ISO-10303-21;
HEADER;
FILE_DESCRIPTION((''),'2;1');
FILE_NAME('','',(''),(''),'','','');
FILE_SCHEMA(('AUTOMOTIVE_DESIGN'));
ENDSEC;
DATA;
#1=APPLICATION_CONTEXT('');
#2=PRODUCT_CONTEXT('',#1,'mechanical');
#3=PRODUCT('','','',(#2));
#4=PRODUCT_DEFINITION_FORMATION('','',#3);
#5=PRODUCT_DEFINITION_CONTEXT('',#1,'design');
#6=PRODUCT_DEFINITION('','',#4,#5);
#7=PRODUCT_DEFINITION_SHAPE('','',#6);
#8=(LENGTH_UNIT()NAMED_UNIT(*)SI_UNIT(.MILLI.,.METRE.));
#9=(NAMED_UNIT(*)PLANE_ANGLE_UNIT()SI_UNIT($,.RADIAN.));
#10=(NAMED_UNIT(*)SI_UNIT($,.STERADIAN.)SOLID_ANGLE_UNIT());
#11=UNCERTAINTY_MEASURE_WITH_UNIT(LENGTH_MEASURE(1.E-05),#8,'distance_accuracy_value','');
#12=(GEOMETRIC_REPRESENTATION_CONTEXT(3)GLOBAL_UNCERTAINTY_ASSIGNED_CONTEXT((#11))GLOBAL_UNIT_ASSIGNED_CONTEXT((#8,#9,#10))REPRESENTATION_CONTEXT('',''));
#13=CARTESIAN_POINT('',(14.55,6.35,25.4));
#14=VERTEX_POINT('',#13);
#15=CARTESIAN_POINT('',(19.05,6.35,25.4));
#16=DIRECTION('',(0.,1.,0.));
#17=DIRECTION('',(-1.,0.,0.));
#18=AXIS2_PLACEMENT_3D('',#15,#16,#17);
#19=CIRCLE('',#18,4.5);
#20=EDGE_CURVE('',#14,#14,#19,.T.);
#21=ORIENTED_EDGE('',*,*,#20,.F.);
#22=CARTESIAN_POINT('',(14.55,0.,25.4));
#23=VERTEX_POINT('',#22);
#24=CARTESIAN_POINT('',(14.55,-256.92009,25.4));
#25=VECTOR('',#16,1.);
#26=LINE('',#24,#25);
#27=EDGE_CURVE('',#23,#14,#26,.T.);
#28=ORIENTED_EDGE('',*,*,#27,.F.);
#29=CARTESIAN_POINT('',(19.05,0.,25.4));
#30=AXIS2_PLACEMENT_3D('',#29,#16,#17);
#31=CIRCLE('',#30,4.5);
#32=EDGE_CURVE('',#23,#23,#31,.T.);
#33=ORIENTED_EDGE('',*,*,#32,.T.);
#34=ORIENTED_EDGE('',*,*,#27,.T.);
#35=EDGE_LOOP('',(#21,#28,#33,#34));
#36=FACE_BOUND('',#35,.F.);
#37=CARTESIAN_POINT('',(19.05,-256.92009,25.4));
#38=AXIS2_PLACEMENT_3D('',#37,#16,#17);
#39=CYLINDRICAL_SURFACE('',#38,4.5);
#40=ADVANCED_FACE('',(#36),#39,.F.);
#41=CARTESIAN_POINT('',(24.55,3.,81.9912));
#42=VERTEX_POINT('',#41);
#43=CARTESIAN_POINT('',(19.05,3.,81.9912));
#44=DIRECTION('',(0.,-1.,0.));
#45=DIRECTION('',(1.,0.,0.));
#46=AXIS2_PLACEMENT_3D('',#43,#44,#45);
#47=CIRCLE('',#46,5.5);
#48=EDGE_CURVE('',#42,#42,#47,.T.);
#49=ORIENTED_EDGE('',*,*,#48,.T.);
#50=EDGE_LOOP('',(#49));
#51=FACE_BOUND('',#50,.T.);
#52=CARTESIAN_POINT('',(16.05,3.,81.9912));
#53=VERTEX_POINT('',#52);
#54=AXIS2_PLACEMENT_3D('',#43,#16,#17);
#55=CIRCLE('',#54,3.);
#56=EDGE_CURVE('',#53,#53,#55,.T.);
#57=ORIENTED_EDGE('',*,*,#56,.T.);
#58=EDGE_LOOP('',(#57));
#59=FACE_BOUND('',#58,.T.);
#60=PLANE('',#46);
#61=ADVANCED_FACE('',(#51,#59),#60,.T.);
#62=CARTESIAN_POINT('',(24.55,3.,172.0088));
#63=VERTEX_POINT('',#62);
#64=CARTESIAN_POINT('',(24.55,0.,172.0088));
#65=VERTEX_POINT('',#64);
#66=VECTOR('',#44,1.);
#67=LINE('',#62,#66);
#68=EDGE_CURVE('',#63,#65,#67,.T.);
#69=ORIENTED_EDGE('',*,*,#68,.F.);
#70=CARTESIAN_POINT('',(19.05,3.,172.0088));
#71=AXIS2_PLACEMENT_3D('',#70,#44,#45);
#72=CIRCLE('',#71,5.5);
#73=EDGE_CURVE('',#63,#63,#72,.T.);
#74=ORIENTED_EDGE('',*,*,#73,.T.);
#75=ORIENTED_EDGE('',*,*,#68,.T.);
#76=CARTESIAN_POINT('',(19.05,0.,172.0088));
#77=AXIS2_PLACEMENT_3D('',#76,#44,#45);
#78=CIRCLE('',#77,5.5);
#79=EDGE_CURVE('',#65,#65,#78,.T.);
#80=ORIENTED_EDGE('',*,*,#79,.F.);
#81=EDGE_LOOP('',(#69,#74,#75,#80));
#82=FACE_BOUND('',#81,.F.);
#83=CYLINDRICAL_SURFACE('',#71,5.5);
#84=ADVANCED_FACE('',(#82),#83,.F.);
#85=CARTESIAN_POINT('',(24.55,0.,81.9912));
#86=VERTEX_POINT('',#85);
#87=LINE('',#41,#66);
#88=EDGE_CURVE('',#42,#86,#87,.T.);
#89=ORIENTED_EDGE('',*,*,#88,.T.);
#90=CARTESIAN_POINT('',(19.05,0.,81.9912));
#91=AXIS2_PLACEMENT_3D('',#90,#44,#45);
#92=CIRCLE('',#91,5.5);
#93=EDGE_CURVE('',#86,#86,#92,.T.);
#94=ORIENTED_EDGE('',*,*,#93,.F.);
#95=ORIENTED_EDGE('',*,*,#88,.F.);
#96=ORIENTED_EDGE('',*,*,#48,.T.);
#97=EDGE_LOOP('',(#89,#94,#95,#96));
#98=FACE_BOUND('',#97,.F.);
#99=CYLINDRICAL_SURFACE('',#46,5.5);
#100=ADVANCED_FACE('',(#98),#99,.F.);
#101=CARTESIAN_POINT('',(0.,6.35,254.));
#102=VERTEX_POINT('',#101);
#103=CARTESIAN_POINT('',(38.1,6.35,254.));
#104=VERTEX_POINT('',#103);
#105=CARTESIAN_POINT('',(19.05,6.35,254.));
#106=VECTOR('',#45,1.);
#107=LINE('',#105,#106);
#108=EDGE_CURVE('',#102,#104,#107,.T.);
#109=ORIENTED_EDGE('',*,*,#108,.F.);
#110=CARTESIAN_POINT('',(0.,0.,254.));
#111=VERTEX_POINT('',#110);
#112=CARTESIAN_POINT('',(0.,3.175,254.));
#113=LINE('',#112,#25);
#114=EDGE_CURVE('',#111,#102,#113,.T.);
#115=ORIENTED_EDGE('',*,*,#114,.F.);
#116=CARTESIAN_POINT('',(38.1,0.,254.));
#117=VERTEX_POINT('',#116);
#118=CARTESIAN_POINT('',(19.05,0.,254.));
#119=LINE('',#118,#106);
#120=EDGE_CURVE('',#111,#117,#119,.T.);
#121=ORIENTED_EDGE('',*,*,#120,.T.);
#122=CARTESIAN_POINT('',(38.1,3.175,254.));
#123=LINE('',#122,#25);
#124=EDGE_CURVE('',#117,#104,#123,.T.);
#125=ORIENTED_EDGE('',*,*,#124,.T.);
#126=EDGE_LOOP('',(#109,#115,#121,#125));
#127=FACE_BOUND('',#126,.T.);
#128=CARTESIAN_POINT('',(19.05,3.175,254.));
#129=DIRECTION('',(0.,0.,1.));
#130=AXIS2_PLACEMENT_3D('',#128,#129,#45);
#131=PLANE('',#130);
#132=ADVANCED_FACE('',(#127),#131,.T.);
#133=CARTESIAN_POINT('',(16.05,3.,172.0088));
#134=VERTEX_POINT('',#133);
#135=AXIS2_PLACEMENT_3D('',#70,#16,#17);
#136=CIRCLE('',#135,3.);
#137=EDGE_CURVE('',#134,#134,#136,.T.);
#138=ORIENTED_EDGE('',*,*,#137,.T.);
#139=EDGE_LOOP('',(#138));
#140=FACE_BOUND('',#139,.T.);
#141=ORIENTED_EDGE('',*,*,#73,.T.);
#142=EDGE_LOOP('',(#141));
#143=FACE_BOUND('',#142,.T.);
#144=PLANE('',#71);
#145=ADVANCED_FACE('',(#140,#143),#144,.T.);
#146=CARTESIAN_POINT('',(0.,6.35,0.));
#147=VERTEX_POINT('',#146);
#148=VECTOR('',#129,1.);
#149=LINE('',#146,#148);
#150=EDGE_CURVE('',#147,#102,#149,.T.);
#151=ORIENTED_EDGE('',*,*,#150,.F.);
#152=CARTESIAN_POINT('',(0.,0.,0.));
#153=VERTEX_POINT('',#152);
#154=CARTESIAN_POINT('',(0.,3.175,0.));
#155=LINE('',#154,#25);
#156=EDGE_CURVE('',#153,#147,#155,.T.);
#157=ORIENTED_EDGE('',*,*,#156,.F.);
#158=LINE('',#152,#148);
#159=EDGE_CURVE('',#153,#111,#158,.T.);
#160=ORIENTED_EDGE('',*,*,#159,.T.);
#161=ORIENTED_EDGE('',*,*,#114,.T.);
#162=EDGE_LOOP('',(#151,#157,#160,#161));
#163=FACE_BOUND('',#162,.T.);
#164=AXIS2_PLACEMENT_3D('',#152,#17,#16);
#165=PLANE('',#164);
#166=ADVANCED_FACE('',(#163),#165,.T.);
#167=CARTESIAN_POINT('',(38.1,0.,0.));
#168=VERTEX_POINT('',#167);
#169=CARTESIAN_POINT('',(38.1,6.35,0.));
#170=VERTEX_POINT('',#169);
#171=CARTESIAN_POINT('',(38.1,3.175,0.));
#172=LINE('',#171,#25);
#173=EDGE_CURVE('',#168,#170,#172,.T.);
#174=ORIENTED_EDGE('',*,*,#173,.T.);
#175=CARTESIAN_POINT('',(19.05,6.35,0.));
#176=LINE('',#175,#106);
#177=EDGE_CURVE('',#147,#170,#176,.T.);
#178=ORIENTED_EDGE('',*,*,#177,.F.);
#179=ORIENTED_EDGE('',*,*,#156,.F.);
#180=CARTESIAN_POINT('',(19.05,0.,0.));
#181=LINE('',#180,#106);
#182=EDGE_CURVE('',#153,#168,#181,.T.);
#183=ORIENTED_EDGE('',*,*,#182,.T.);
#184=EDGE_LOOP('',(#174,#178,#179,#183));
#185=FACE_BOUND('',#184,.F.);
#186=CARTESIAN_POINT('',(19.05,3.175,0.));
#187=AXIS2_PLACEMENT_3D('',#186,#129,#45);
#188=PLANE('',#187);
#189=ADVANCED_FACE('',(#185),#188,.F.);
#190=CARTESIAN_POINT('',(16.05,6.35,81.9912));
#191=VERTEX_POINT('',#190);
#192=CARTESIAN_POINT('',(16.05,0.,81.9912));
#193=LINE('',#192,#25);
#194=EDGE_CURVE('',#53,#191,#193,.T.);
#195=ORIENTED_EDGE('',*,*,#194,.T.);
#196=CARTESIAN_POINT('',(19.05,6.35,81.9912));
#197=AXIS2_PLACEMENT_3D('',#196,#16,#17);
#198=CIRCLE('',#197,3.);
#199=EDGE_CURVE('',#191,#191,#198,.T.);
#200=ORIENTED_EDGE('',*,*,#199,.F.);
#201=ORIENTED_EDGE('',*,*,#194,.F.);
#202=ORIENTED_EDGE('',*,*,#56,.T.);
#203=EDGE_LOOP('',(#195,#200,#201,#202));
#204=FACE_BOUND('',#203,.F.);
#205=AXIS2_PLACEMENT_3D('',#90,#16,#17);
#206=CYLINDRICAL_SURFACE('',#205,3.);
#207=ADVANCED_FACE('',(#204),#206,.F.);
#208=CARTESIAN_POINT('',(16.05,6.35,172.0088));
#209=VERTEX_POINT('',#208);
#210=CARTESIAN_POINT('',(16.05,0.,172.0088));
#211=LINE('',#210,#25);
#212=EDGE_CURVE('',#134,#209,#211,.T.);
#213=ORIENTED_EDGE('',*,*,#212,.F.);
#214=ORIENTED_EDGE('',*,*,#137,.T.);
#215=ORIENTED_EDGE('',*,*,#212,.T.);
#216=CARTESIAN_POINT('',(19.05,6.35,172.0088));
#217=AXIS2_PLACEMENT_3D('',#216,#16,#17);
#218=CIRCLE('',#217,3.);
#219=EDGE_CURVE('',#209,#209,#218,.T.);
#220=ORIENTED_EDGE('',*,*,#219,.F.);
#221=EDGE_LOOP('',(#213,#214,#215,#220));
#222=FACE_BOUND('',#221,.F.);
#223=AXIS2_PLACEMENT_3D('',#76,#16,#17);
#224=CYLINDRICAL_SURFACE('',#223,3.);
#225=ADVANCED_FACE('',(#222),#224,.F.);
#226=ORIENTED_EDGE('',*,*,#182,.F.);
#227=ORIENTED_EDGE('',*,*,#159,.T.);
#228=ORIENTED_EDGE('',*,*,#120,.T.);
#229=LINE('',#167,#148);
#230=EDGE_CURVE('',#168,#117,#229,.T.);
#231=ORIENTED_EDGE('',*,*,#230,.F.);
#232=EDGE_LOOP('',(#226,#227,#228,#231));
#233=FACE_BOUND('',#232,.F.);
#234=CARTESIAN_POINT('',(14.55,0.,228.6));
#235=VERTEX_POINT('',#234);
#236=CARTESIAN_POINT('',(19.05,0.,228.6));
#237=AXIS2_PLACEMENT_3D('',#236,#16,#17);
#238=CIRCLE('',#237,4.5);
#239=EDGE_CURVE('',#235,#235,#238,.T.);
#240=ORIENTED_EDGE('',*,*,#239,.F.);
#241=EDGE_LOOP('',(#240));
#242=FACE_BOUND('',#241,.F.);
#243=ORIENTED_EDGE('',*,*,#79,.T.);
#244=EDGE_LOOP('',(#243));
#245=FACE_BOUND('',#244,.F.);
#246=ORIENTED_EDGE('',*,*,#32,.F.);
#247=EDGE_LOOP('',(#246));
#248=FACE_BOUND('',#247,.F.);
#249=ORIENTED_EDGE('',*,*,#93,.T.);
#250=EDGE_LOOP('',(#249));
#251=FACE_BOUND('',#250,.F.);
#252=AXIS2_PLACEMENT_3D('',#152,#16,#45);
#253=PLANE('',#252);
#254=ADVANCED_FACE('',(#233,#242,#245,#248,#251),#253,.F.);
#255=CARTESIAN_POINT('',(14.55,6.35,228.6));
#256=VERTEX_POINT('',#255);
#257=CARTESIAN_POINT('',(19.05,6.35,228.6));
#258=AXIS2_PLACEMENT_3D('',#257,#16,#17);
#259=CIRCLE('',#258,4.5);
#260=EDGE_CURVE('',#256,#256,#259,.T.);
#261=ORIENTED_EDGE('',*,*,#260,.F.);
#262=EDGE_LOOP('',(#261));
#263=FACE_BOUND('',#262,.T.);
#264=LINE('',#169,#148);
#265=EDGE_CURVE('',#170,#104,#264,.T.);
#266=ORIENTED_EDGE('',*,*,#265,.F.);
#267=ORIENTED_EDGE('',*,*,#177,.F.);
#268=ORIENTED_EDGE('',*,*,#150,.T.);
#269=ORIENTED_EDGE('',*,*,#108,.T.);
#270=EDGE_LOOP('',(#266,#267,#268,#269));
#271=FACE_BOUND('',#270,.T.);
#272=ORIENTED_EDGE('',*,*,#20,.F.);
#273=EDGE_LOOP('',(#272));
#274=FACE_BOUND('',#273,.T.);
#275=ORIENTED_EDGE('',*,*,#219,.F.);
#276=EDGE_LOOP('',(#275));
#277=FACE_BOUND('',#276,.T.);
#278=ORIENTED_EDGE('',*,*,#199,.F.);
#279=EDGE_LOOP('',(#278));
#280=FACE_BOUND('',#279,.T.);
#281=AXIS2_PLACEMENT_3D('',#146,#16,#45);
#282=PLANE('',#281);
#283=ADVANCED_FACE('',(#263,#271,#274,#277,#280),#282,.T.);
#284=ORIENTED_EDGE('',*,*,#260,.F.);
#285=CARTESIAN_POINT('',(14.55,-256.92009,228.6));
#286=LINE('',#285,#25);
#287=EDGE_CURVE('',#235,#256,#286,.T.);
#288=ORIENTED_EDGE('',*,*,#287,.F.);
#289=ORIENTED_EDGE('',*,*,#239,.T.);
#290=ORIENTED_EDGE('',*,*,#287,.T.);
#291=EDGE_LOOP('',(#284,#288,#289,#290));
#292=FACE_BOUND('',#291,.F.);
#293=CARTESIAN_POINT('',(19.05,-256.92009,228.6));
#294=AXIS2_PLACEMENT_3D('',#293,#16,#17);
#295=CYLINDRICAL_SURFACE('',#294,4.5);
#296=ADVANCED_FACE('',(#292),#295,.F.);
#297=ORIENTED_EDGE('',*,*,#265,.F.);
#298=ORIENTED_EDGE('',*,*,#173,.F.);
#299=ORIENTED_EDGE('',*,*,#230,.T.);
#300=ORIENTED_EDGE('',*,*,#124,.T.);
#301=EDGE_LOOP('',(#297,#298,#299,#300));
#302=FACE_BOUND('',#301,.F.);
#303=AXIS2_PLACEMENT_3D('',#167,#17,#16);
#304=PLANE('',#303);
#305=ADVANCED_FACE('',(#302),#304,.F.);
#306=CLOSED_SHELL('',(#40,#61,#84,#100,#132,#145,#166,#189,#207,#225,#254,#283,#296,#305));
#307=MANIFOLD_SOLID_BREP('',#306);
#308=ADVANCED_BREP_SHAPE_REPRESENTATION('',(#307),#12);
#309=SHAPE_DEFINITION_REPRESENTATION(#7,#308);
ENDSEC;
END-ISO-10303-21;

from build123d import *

# Parameters (mm, degrees)
F0_W           = 38.1
F0_H           = 6.35
F1_DEPTH       = 254
F3_D           = 9
F4_D           = 6
F4_CBORE_D     = 11
F4_CBORE_DEPTH = 3


with BuildPart() as f1:
    # F0 (on Top) → F1 (new body)
    with BuildSketch(Plane.XY):
        with Locations((19.05, 3.175)):
            Rectangle(F0_W, F0_H)
    extrude(amount=F1_DEPTH)

    # F3 (through all)
    with Locations(Plane.XZ):
        with Locations((19.05, 25.4), (19.05, 228.6)):
            Hole(F3_D / 2)

    # F4 (through all)
    with Locations(Plane.XZ):
        with Locations((19.05, 172.0088), (19.05, 81.9912)):
            CounterBoreHole(F4_D / 2, F4_CBORE_D / 2, F4_CBORE_DEPTH)


solid = f1.part
